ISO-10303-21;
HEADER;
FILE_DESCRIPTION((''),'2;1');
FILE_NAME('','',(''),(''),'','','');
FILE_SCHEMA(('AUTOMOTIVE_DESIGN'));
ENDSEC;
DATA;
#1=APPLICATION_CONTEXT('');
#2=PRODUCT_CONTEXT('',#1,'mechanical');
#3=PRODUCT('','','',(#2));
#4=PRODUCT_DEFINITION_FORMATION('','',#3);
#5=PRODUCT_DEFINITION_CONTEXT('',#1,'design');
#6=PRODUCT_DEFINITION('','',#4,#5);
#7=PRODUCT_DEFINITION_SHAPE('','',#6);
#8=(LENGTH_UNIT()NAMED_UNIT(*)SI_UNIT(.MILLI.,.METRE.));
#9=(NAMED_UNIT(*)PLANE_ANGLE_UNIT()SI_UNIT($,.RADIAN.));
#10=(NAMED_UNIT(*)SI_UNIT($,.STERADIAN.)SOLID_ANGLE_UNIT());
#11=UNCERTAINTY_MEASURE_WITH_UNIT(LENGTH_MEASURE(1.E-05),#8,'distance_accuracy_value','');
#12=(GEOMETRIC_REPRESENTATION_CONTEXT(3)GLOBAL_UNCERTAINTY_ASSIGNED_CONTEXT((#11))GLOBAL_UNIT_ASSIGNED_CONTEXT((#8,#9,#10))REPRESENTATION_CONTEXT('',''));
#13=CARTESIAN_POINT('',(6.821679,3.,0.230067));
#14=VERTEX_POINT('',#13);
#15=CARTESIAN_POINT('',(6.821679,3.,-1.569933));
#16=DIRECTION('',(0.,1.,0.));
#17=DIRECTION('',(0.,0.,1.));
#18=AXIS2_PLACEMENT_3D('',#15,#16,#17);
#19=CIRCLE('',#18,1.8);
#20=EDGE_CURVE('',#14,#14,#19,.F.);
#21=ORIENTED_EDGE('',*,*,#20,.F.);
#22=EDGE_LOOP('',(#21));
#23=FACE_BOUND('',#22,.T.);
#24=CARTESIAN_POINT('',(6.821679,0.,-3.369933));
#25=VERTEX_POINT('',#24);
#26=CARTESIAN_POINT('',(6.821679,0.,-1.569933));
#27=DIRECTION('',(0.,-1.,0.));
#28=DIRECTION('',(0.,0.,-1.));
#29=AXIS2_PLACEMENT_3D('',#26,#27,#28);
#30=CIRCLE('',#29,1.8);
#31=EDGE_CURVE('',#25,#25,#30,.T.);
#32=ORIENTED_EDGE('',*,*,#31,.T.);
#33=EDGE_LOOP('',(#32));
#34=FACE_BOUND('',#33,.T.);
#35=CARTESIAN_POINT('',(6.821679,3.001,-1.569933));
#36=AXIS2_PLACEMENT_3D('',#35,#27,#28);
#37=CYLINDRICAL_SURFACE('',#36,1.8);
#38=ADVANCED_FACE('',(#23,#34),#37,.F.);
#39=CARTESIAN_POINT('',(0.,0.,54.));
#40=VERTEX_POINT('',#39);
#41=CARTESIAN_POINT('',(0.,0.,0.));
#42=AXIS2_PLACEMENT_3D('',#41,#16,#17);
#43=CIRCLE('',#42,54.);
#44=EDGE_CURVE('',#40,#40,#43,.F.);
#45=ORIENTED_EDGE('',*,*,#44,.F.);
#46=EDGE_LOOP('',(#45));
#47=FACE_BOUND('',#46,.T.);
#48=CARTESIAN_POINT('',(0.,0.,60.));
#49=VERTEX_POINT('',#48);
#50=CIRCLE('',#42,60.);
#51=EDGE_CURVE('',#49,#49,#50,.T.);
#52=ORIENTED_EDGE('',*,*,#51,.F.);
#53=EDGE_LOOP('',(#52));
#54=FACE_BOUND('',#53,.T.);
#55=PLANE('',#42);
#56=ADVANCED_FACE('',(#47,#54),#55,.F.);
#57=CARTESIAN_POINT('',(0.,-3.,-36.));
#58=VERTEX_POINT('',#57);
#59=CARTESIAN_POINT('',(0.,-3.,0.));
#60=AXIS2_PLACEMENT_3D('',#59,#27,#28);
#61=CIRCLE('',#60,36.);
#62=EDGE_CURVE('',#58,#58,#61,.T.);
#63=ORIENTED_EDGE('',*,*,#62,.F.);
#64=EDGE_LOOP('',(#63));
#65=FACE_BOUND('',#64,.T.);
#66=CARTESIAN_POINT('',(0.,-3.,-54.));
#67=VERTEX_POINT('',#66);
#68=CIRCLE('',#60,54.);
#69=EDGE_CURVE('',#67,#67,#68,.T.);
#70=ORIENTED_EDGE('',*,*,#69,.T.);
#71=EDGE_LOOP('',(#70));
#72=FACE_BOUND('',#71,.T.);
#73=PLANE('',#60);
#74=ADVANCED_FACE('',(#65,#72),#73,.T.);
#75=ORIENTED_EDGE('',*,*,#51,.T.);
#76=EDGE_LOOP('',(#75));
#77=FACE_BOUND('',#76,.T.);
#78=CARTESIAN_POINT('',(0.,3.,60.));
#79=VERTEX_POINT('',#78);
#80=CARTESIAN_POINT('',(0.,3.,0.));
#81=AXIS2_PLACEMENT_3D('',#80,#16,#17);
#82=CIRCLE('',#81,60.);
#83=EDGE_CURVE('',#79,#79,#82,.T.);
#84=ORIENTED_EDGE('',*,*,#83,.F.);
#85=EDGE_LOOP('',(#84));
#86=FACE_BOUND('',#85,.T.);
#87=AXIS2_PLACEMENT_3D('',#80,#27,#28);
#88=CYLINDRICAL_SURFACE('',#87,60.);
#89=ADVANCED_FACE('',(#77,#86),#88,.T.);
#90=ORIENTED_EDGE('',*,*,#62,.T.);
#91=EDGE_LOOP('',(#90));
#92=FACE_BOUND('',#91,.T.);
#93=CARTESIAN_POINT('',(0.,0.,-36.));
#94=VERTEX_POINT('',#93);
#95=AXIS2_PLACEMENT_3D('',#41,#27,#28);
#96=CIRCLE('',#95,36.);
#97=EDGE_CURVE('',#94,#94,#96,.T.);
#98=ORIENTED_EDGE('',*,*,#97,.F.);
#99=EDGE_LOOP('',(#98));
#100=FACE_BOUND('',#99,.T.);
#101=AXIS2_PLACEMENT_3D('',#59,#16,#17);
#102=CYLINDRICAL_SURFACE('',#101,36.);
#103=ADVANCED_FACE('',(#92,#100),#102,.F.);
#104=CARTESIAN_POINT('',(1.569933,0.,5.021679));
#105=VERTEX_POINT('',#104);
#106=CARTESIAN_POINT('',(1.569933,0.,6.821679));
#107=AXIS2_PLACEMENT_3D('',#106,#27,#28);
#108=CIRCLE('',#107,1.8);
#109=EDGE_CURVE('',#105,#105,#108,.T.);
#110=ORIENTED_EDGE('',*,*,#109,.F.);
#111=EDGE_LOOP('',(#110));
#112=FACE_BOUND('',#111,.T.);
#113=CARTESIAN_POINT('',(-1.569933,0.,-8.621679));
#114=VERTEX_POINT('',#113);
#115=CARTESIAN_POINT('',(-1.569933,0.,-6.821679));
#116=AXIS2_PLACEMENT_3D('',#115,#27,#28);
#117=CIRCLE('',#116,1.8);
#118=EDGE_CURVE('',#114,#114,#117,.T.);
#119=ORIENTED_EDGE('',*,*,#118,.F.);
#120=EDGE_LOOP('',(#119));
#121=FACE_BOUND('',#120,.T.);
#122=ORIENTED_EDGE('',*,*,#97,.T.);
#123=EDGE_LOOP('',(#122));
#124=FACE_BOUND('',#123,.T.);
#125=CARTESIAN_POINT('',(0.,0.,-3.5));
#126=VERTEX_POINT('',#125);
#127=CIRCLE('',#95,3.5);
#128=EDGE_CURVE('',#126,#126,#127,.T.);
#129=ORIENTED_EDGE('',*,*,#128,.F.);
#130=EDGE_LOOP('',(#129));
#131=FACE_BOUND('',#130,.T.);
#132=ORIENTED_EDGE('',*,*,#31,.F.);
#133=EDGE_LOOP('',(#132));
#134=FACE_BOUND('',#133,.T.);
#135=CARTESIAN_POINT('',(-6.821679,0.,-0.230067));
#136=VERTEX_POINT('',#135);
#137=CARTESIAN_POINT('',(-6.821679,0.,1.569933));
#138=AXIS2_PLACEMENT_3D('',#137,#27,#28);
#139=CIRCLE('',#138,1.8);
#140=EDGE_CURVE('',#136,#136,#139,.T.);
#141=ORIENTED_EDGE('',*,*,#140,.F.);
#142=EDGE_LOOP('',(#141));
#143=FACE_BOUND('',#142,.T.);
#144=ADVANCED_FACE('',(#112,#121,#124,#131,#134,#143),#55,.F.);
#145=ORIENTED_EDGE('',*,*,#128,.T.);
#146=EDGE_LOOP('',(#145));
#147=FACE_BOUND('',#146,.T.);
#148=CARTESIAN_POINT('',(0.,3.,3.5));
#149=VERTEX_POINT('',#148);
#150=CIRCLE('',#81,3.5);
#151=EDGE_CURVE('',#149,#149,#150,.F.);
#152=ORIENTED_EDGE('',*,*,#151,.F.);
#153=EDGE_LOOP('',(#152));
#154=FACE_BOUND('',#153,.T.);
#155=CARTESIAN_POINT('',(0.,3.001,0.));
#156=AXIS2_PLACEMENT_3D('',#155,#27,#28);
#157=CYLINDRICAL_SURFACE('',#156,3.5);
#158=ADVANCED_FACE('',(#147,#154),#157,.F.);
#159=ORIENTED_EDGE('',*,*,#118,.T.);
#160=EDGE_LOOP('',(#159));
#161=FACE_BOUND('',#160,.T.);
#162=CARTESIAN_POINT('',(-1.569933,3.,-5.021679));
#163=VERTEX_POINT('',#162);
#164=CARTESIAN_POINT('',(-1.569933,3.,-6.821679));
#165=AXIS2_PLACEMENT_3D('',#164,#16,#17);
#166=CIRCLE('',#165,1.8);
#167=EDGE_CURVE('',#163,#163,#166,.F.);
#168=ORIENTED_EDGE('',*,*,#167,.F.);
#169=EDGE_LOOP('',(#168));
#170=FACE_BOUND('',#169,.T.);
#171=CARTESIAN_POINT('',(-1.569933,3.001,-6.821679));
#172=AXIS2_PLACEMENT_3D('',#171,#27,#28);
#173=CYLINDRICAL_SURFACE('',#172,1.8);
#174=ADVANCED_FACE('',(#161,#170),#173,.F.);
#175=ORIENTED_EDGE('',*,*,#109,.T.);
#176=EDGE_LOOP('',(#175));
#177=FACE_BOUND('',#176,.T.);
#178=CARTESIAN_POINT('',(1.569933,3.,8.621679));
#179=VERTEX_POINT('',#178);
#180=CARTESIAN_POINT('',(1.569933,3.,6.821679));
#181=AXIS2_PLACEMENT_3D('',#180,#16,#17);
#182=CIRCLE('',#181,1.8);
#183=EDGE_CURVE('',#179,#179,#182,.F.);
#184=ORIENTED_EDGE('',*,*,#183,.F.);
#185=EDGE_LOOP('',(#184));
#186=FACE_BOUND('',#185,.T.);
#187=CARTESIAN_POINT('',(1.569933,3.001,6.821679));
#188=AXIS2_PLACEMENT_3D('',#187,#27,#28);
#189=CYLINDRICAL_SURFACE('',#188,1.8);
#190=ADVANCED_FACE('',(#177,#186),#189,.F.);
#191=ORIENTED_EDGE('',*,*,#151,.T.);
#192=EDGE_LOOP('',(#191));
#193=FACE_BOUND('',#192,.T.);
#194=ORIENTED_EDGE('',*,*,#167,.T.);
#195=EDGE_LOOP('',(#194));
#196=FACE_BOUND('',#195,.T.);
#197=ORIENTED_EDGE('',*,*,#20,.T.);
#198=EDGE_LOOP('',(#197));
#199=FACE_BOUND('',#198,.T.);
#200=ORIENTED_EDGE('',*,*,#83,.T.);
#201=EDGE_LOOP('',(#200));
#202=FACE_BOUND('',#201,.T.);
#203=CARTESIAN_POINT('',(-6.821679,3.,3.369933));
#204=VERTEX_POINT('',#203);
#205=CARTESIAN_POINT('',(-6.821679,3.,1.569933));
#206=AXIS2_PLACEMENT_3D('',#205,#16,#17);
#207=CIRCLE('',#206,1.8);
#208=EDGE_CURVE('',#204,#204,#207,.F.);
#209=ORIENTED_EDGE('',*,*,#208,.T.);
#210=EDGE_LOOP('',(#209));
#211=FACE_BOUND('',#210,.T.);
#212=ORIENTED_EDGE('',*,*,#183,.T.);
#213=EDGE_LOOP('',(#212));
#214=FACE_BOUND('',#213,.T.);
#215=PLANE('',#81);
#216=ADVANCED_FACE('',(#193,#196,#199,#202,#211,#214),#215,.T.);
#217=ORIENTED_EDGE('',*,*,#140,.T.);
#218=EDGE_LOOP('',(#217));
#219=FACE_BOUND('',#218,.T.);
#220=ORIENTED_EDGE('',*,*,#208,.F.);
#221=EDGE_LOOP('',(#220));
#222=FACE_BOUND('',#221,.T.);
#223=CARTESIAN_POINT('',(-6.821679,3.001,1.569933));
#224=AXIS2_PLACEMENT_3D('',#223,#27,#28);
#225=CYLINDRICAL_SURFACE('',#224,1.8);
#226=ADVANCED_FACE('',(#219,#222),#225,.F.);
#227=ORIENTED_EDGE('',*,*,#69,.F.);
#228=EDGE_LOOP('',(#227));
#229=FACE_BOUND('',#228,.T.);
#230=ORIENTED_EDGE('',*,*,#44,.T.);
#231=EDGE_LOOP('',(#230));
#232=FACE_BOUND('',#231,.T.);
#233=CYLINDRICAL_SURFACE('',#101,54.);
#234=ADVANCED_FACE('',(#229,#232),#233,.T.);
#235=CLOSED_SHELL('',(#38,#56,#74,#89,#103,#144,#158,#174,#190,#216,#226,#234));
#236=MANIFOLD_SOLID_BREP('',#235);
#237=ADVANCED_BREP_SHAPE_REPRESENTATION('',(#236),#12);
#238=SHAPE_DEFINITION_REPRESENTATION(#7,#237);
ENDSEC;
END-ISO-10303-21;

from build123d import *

# Parameters (mm, degrees)
SKETCH1_R           = 60
BOSS_EXTRUDE1_DEPTH = 3
CUT_EXTRUDE1_REACH  = 86.906
SKETCH2_R           = 3.5
SKETCH2_R_2         = 1.8
SKETCH3_R           = 54
SKETCH3_R_2         = 36
BOSS_EXTRUDE2_DEPTH = 3


with BuildPart() as part:
    # Sketch1 → Boss-Extrude1 (new body)
    with BuildSketch(Plane(origin=(0, 0, 0), x_dir=(1, 0, 0), z_dir=(0, 1, 0))):
        with Locations(Location((0, 0, 0), (0, 0, 270))):
            Circle(SKETCH1_R)
    extrude(amount=BOSS_EXTRUDE1_DEPTH)

    # Sketch2 → Cut-Extrude1 (cut, up to next)
    with BuildSketch(Plane.XZ, mode=Mode.PRIVATE) as cut_extrude1_sk1:
        with Locations(Location((0, 0, 0), (0, 0, 270))):
            Circle(SKETCH2_R)
    cut_extrude1_tool1 = extrude(cut_extrude1_sk1.sketch, amount=-CUT_EXTRUDE1_REACH, mode=Mode.PRIVATE) & part.part
    # Sketch2 → Cut-Extrude1 (cut, up to next)
    with BuildSketch(Plane.XZ, mode=Mode.PRIVATE) as cut_extrude1_sk2:
        with Locations(Location((1.56993281, 6.821679483, 0), (0, 0, 270))):
            Circle(SKETCH2_R_2)
    cut_extrude1_tool2 = extrude(cut_extrude1_sk2.sketch, amount=-CUT_EXTRUDE1_REACH, mode=Mode.PRIVATE) & part.part
    # Sketch2 → Cut-Extrude1 (cut, up to next)
    with BuildSketch(Plane.XZ, mode=Mode.PRIVATE) as cut_extrude1_sk3:
        with Locations(Location((6.821679483, -1.56993281, 0), (0, 0, 270))):
            Circle(SKETCH2_R_2)
    cut_extrude1_tool3 = extrude(cut_extrude1_sk3.sketch, amount=-CUT_EXTRUDE1_REACH, mode=Mode.PRIVATE) & part.part
    # Sketch2 → Cut-Extrude1 (cut, up to next)
    with BuildSketch(Plane.XZ, mode=Mode.PRIVATE) as cut_extrude1_sk4:
        with Locations(Location((-1.56993281, -6.821679483, 0), (0, 0, 270))):
            Circle(SKETCH2_R_2)
    cut_extrude1_tool4 = extrude(cut_extrude1_sk4.sketch, amount=-CUT_EXTRUDE1_REACH, mode=Mode.PRIVATE) & part.part
    # Sketch2 → Cut-Extrude1 (cut, up to next)
    with BuildSketch(Plane.XZ, mode=Mode.PRIVATE) as cut_extrude1_sk5:
        with Locations(Location((-6.821679483, 1.56993281, 0), (0, 0, 270))):
            Circle(SKETCH2_R_2)
    cut_extrude1_tool5 = extrude(cut_extrude1_sk5.sketch, amount=-CUT_EXTRUDE1_REACH, mode=Mode.PRIVATE) & part.part
    add(cut_extrude1_tool1.solids().sort_by_distance((0, 0, 0))[0], mode=Mode.SUBTRACT)
    add(cut_extrude1_tool2.solids().sort_by_distance((1.569933, 0, 6.821679))[0], mode=Mode.SUBTRACT)
    add(cut_extrude1_tool3.solids().sort_by_distance((6.821679, 0, -1.569933))[0], mode=Mode.SUBTRACT)
    add(cut_extrude1_tool4.solids().sort_by_distance((-1.569933, 0, -6.821679))[0], mode=Mode.SUBTRACT)
    add(cut_extrude1_tool5.solids().sort_by_distance((-6.821679, 0, 1.569933))[0], mode=Mode.SUBTRACT)

    # Sketch3 → Boss-Extrude2 (add)
    with BuildSketch(Plane.XZ):
        with Locations(Location((0, 0, 0), (0, 0, 90))):
            Circle(SKETCH3_R)
        with Locations(Location((0, 0, 0), (0, 0, 270))):
            Circle(SKETCH3_R_2, mode=Mode.SUBTRACT)
    extrude(amount=BOSS_EXTRUDE2_DEPTH)


solid = part.part
